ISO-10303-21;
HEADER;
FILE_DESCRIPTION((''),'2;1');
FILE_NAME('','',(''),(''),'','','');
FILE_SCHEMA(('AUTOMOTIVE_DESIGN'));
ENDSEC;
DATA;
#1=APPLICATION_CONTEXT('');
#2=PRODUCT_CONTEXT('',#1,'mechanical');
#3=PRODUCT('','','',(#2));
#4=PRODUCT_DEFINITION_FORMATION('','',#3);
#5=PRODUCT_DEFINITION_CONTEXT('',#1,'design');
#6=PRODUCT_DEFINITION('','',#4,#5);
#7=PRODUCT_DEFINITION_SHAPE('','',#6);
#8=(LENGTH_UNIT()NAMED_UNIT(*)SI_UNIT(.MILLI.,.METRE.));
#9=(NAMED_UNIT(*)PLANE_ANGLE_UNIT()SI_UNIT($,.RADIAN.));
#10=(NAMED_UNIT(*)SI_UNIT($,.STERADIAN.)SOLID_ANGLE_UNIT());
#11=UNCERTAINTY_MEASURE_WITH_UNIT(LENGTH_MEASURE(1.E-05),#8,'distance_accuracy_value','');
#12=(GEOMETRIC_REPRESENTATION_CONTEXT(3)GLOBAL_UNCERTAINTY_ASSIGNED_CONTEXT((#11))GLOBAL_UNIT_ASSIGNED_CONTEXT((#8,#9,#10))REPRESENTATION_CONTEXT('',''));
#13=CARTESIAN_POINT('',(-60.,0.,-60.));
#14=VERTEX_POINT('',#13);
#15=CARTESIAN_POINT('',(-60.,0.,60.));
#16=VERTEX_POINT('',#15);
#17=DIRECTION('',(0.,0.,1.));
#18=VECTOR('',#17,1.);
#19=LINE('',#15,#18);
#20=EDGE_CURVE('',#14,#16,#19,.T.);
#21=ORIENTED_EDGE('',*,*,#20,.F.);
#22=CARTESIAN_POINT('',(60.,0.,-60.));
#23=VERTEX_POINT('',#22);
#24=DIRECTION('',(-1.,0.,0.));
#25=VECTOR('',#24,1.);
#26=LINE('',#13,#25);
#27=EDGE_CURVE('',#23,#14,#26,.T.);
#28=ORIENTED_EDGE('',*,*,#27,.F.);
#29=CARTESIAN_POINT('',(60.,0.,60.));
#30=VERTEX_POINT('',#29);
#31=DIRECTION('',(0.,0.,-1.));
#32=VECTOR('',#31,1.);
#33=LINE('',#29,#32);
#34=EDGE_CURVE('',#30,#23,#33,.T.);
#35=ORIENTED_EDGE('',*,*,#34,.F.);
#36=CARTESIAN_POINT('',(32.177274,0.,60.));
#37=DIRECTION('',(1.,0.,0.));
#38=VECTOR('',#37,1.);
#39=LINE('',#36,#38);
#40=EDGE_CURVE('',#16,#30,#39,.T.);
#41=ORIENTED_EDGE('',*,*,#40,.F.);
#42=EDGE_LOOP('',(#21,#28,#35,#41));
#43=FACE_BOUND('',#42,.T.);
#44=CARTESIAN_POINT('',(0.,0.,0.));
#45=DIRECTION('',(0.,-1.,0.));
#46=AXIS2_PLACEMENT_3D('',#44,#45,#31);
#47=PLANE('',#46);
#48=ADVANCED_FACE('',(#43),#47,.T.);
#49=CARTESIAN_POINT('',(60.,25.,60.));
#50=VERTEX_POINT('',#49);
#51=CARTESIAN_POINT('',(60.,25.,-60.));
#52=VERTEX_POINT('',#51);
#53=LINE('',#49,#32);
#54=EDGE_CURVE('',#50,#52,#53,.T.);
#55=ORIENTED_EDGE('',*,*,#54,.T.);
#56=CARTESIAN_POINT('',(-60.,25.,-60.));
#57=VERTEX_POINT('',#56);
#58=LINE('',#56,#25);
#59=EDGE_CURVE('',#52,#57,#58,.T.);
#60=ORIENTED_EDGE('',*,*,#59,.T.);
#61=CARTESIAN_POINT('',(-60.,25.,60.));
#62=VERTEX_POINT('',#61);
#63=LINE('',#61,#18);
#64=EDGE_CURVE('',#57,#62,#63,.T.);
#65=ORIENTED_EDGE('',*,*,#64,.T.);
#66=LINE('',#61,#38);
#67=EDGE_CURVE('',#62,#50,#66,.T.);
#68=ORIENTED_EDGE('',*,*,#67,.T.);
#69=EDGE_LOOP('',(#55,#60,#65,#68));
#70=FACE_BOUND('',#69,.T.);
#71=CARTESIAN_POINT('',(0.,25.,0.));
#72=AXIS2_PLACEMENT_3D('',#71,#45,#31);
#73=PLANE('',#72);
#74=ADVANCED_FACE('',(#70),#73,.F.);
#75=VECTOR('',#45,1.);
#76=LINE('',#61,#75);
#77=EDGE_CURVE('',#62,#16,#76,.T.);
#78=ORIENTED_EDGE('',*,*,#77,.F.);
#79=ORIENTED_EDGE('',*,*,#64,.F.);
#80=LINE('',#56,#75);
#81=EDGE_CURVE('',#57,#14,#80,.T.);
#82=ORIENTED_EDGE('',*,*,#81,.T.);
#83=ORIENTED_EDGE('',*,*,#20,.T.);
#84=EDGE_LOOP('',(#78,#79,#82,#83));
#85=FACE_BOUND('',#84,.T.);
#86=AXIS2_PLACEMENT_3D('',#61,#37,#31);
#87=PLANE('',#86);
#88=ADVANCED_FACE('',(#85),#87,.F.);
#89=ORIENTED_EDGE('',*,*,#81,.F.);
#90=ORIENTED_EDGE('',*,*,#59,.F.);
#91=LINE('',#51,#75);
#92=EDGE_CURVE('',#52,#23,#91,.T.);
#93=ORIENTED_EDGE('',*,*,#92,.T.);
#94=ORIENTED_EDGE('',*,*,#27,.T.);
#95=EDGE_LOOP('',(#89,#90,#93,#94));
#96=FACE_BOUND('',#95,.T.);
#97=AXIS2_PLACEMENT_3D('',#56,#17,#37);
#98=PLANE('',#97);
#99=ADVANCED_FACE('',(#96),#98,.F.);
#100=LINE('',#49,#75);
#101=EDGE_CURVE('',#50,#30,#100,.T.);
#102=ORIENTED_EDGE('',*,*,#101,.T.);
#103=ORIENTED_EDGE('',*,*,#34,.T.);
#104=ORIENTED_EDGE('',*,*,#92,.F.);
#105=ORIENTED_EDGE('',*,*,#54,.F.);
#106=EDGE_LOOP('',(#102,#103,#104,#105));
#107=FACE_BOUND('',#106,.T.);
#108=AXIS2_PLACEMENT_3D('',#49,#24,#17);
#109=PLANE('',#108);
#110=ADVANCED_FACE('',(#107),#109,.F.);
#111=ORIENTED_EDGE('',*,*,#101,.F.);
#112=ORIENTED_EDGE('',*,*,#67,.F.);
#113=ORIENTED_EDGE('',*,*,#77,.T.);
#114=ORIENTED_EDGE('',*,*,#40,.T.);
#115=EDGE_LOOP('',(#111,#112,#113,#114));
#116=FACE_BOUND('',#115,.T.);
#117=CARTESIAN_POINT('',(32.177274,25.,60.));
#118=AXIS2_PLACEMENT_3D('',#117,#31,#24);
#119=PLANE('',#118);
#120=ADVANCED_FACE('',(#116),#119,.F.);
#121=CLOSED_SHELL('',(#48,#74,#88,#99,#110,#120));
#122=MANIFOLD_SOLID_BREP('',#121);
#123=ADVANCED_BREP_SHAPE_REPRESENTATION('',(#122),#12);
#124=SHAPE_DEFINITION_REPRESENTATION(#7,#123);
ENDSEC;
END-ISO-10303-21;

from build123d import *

# Parameters (mm, degrees)
BOSS_EXTRUDE1_DEPTH = 25


with BuildPart() as part:
    # Sketch1 → Boss-Extrude1 (new body)
    with BuildSketch(Plane(origin=(0, 0, 0), x_dir=(1, 0, 0), z_dir=(0, 1, 0))):
        Polygon((-60, -60), (-22.593310132, -60), (32.177273624, -60), (60, -60), (60, 60), (-60, 60), align=None)
    extrude(amount=BOSS_EXTRUDE1_DEPTH)


solid = part.part
